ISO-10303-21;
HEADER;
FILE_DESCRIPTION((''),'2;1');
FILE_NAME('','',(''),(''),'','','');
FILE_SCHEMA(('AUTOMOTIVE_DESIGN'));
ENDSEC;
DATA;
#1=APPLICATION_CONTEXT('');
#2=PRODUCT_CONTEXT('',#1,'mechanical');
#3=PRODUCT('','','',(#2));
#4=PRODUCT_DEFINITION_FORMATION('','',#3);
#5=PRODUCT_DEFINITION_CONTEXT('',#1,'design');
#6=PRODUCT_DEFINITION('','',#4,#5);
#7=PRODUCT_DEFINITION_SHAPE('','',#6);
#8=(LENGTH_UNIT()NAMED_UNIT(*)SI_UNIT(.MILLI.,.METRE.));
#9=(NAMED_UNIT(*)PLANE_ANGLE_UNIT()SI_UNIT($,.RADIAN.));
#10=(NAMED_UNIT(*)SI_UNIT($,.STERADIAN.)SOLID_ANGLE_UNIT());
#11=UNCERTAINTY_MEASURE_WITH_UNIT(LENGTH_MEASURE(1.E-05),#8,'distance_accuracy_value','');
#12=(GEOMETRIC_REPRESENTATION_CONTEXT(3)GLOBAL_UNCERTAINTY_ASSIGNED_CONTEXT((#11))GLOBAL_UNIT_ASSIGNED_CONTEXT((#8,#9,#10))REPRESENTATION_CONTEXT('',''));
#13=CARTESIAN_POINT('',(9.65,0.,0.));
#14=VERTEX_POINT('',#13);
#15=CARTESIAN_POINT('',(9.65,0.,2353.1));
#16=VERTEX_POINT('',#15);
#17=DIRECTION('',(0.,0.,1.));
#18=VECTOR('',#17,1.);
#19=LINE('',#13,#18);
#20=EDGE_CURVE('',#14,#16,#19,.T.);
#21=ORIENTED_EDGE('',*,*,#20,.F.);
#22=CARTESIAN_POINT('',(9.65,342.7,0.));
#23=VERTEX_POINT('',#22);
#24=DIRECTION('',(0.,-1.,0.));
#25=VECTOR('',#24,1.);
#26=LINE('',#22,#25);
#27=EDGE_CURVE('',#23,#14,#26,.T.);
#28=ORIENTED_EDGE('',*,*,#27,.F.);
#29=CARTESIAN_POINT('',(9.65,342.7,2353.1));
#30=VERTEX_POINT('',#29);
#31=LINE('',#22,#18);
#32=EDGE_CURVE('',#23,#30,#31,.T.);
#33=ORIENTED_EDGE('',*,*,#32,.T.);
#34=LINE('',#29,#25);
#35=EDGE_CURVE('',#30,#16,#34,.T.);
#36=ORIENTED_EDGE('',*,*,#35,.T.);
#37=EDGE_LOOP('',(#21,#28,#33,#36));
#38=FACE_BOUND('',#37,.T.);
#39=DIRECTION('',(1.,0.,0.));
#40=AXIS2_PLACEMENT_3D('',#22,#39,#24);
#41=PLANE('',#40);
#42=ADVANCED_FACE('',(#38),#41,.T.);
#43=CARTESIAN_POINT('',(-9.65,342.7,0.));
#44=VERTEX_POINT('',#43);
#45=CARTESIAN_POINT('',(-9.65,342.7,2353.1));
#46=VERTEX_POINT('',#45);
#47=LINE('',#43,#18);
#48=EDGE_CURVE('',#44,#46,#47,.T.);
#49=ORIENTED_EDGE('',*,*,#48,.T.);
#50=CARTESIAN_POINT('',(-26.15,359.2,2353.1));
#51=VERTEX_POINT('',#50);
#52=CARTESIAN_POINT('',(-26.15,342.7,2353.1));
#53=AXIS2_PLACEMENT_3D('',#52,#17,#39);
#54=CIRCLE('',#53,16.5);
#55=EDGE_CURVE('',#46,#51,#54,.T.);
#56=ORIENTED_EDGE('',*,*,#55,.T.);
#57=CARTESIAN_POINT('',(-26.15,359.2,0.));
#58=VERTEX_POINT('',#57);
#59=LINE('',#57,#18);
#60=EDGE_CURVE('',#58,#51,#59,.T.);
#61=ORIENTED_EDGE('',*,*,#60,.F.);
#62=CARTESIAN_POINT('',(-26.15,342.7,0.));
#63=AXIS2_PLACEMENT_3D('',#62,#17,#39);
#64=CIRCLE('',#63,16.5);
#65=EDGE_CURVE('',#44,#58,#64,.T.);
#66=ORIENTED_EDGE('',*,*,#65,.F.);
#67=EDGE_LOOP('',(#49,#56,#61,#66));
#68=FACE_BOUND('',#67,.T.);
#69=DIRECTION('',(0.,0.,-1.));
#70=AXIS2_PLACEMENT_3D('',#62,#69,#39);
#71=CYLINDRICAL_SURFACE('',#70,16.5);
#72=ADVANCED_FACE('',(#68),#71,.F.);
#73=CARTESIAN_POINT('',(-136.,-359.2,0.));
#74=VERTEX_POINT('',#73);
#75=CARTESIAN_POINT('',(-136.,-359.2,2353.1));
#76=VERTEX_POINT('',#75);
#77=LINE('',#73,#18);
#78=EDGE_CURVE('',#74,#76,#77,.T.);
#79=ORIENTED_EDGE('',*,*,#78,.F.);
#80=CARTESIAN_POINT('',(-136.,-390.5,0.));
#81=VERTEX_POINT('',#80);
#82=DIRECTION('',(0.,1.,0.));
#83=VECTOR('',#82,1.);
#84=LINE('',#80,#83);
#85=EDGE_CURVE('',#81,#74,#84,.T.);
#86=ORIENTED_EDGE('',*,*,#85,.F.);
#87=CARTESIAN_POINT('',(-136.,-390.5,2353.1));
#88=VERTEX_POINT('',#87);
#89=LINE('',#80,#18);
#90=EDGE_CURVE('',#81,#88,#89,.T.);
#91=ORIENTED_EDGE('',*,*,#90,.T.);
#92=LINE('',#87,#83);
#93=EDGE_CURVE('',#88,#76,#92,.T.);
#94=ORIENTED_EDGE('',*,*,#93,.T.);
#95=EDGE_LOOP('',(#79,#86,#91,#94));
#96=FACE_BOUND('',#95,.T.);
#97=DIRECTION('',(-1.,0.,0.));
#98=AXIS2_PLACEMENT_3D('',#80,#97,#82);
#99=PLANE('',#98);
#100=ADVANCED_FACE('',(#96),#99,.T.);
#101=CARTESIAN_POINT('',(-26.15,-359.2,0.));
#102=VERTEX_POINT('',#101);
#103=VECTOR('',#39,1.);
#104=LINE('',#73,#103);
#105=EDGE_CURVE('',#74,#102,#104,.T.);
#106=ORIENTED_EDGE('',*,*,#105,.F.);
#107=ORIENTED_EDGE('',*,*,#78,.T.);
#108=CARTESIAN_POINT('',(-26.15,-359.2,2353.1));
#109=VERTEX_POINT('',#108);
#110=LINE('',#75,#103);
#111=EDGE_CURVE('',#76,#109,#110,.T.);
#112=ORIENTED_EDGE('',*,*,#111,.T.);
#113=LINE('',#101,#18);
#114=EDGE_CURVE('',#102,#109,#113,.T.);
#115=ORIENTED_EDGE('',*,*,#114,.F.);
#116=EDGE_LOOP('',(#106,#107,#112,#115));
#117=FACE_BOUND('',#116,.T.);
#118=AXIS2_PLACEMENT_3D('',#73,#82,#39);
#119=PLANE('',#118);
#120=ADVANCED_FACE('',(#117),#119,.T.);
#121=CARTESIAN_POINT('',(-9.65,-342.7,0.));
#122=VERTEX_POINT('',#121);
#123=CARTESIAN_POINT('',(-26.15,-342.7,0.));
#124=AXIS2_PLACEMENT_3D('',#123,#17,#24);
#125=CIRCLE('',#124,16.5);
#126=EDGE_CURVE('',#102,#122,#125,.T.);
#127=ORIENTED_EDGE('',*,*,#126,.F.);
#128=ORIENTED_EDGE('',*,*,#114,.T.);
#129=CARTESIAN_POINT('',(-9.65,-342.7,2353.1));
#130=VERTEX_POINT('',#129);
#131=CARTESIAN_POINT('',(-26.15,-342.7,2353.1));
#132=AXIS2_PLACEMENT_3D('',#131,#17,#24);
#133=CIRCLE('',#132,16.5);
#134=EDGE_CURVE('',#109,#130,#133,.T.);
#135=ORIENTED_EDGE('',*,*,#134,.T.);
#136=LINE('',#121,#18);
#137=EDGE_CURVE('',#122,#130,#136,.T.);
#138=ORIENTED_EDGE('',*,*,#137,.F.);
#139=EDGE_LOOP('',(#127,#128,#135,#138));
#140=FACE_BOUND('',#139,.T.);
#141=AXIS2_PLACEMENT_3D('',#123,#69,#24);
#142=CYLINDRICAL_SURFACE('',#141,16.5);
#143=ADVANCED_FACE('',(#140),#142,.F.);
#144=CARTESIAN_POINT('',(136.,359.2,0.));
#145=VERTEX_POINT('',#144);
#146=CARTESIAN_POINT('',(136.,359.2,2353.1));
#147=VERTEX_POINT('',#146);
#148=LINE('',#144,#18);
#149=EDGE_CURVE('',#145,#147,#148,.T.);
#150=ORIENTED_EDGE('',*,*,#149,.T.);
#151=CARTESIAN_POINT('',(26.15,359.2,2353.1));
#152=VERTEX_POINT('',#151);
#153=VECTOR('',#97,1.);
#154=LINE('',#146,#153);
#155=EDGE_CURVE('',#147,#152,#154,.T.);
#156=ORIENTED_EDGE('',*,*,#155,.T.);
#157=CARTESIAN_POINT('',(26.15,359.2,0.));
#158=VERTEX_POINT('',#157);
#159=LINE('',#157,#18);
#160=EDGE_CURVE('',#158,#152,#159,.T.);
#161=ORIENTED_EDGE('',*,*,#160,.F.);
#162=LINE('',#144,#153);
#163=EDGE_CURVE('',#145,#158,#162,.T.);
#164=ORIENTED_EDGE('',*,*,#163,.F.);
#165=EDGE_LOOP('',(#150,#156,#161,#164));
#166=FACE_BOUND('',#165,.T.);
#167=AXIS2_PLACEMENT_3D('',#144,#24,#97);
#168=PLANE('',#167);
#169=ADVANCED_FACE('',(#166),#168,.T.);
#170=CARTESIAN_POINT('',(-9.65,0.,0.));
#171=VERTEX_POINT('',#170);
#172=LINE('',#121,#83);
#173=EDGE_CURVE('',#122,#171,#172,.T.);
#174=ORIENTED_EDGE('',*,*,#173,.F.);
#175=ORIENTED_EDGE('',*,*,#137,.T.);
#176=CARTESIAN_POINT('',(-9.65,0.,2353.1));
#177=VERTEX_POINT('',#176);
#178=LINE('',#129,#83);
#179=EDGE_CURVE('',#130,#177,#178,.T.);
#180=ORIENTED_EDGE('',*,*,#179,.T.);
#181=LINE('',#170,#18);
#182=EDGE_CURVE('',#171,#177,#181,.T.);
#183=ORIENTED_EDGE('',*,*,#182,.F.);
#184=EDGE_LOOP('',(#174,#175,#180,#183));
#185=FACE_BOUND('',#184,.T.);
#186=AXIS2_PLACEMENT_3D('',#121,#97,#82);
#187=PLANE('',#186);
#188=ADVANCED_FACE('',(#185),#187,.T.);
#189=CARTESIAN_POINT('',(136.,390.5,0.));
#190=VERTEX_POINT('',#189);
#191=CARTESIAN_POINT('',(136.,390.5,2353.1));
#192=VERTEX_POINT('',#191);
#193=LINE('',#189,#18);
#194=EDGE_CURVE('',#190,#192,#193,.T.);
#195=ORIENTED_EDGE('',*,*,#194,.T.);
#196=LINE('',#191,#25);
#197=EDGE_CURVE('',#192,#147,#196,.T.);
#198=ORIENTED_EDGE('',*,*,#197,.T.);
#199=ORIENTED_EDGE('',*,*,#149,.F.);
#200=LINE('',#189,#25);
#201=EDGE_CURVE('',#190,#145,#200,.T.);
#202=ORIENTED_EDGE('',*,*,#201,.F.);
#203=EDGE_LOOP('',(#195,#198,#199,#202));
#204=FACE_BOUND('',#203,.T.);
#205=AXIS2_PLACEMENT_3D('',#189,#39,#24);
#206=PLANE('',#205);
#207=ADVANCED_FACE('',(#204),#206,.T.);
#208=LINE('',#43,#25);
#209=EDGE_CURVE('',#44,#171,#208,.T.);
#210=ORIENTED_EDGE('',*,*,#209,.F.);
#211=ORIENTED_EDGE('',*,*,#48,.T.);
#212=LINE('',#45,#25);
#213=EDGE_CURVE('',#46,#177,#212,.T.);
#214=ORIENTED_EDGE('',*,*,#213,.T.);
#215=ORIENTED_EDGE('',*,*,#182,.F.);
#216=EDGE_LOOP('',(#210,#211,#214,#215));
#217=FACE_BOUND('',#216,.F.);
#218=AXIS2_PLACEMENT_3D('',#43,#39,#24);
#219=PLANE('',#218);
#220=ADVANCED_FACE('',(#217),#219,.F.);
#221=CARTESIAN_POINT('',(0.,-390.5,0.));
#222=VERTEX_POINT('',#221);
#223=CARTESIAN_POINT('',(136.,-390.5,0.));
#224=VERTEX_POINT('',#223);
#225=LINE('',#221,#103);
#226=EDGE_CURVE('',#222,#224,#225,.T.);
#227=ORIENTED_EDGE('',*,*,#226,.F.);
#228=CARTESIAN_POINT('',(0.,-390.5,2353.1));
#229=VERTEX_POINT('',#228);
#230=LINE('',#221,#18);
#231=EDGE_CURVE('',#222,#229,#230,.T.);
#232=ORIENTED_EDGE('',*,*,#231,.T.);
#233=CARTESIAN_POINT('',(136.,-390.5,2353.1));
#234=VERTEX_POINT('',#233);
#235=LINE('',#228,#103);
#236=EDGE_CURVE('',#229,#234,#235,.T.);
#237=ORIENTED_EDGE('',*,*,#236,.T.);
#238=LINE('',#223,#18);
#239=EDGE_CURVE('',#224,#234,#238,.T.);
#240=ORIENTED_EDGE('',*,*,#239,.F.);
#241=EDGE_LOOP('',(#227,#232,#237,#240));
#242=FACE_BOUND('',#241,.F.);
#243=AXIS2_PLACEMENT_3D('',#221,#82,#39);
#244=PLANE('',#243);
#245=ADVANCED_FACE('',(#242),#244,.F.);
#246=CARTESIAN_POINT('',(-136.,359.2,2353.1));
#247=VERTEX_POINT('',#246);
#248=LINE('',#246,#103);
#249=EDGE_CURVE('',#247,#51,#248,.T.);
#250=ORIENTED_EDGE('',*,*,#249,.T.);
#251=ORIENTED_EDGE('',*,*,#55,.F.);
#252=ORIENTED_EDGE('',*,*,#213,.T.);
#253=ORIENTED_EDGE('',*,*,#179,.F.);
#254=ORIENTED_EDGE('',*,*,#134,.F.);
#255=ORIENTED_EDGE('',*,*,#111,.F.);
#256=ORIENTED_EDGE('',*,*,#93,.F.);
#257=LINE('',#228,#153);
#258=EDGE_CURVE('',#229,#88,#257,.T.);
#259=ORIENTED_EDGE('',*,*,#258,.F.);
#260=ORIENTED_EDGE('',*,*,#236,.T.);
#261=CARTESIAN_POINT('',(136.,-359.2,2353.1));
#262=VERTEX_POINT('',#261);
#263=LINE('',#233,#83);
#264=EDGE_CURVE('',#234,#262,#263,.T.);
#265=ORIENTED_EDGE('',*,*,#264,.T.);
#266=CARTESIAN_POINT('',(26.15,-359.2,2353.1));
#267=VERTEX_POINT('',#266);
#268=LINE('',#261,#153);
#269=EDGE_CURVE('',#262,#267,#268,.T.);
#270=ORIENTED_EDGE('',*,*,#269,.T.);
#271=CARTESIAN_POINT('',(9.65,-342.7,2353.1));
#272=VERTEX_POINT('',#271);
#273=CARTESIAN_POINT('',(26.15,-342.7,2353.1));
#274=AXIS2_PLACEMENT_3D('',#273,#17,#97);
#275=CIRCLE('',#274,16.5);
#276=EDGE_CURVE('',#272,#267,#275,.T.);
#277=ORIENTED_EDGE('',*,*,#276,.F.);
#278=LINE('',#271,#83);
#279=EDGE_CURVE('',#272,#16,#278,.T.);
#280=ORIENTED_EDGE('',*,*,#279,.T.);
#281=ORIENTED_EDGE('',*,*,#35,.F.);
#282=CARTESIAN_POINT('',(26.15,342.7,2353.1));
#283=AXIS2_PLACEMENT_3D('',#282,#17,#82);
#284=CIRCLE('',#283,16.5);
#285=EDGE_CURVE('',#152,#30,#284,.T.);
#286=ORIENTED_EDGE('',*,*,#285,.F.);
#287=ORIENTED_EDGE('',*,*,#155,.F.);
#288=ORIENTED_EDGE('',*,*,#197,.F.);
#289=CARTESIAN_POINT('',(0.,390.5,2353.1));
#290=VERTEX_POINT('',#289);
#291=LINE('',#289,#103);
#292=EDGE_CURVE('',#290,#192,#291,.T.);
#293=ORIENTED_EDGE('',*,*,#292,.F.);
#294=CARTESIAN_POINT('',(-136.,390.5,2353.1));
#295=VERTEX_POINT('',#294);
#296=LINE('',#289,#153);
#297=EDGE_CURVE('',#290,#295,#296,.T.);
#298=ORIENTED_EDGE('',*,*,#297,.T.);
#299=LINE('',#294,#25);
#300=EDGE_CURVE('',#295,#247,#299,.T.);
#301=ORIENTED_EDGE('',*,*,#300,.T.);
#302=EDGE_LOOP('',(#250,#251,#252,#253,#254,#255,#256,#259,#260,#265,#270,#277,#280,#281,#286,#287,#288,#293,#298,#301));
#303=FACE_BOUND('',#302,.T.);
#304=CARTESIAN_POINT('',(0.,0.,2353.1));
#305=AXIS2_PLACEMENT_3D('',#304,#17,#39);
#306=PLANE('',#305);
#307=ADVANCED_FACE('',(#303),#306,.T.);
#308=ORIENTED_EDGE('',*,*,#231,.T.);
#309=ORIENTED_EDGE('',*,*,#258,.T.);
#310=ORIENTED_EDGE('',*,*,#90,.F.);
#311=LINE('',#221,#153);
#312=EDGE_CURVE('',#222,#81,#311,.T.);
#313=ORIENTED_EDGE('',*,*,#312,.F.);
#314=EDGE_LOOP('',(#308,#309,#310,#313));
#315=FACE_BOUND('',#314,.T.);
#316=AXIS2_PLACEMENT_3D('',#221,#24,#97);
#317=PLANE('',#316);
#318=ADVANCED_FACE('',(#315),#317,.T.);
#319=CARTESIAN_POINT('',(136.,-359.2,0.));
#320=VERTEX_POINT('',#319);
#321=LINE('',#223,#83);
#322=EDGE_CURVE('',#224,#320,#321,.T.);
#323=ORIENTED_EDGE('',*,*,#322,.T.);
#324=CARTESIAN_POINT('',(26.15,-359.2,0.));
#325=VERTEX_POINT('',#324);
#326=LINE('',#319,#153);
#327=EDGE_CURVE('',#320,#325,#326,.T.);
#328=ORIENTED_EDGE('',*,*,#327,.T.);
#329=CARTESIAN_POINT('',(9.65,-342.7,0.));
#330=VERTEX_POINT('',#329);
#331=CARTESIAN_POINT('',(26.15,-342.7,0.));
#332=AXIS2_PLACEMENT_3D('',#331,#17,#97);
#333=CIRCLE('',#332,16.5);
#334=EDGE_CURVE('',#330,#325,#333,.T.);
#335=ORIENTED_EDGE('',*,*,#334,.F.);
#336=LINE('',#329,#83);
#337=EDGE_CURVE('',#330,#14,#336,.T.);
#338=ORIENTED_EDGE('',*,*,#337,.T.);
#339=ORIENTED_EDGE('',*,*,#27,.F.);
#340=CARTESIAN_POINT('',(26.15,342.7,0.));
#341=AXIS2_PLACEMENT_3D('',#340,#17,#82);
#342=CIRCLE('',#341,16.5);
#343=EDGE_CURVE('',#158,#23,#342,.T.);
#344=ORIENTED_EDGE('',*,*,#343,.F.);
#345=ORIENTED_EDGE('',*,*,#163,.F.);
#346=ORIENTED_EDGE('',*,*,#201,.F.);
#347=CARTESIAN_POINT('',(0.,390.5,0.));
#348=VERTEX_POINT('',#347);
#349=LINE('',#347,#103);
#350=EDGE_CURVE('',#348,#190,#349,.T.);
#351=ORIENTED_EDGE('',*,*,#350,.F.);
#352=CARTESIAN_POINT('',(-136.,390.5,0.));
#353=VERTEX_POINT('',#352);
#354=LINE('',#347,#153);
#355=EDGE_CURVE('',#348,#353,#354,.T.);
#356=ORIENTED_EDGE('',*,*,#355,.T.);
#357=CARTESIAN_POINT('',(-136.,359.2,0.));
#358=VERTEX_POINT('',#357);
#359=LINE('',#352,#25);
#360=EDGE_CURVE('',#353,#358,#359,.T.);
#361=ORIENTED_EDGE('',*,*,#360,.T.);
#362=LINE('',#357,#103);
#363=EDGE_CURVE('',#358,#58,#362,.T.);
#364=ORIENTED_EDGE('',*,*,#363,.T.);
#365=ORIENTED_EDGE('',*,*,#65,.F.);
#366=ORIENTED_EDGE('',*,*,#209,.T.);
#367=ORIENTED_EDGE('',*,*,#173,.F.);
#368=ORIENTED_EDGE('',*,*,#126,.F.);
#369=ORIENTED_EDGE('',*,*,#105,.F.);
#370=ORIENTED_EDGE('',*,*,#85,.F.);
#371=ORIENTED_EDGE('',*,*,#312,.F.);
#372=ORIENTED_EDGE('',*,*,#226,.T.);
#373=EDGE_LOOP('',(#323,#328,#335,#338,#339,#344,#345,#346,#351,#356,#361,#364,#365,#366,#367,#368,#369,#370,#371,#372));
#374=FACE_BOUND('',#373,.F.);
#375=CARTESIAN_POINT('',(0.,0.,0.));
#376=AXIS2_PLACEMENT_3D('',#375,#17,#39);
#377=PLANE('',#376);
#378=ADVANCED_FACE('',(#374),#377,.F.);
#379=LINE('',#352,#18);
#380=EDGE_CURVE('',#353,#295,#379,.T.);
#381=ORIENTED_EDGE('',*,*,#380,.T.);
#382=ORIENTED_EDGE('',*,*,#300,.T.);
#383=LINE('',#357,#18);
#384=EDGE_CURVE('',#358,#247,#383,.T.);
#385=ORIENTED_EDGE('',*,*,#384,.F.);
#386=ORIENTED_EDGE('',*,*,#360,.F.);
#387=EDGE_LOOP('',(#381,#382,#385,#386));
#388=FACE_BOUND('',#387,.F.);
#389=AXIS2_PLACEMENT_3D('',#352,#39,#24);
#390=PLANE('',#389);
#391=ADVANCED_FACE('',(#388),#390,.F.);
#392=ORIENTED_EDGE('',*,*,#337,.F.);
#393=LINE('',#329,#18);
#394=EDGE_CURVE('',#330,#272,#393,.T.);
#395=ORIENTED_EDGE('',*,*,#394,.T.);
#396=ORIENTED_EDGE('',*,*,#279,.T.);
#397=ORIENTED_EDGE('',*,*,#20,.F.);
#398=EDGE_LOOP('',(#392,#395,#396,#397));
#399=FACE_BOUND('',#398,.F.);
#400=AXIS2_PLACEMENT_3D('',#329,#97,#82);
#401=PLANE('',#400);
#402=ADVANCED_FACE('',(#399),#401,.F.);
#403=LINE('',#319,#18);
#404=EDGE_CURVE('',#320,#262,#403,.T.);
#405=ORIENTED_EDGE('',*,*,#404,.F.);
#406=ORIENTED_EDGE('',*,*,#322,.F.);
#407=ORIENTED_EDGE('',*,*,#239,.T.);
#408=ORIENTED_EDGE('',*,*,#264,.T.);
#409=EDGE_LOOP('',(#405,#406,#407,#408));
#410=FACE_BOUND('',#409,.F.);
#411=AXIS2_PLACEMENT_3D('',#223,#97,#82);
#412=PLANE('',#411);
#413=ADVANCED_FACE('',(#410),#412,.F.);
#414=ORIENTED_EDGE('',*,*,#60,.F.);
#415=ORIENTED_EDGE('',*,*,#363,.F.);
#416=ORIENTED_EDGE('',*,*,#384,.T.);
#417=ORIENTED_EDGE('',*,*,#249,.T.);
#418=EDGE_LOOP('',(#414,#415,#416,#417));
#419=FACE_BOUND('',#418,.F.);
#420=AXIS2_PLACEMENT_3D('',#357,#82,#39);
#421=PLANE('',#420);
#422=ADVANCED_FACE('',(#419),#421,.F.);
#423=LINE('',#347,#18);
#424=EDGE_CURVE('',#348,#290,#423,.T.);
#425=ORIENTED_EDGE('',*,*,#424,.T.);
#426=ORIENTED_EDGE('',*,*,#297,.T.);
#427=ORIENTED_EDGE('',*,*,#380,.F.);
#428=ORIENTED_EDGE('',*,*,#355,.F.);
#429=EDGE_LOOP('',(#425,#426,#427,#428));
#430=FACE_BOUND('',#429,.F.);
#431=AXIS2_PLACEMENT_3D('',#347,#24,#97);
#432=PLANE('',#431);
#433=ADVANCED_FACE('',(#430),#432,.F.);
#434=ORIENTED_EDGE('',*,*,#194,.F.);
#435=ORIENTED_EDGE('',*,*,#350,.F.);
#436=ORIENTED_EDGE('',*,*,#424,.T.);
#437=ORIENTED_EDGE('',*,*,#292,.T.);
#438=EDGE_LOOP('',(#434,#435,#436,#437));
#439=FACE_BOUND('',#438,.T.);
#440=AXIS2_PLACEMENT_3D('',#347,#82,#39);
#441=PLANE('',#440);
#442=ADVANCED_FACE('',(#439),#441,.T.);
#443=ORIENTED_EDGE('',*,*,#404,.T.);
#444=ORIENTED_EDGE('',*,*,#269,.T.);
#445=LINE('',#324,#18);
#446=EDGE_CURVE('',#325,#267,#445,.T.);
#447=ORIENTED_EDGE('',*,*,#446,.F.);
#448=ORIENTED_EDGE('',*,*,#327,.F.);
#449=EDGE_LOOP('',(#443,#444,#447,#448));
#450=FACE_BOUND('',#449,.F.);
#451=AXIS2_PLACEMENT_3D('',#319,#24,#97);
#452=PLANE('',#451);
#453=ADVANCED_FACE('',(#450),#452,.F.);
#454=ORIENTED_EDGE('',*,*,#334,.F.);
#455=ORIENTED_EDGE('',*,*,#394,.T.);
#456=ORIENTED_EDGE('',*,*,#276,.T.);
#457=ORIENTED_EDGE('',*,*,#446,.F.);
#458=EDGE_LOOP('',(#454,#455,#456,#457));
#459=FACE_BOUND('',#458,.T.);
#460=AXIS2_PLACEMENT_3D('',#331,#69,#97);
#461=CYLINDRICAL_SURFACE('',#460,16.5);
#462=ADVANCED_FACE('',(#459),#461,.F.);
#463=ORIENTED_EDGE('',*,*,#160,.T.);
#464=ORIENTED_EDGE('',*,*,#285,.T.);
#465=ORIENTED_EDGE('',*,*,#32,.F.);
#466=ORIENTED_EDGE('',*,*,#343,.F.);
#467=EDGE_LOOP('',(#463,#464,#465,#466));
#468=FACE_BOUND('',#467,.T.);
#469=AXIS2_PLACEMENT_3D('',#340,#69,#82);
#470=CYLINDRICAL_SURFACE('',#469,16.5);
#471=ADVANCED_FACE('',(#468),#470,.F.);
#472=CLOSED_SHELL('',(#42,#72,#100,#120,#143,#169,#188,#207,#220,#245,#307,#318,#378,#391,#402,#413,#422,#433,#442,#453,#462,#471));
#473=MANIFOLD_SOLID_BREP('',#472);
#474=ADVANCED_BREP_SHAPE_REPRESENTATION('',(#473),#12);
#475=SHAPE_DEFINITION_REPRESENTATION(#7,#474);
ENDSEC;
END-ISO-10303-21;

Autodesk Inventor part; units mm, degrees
ref_plane "YZ Plane" through (0, 0, 0) normal (1, 0, 0) x (0, 1, 0)
ref_plane "Start plane" through (0, 0, 0) normal (0, 0, 1) x (1, 0, 0)
ref_plane "End plane" through (0, 0, 2353.1) normal (0, 0, 1) x (1, 0, 0)
sketch "Sketch" plane through (0, 0, 0) normal (0, 0, 1) x (1, 0, 0)
  line L0 (-136, -390.5) -> (-136, -359.2)
  line L1 (-136, -359.2) -> (-26.15, -359.2)
  line L2 (-9.65, -342.7) -> (-9.65, 0)
  line L3 (-9.65, 0) -> (0, 0) construction
  line L4 (0, 0) -> (0, -390.5) construction
  line L5 (0, -390.5) -> (-136, -390.5)
  line L6 (-60, 0) -> (80, 0) construction
  line L7 (0, -60) -> (0, 80) construction
  line L8 (136, -390.5) -> (136, -359.2)
  line L9 (136, -359.2) -> (26.15, -359.2)
  line L10 (9.65, -342.7) -> (9.65, 0)
  line L11 (9.65, 0) -> (0, 0) construction
  line L12 (0, -390.5) -> (136, -390.5)
  line L13 (-136, 390.5) -> (-136, 359.2)
  line L14 (-136, 359.2) -> (-26.15, 359.2)
  line L15 (-9.65, 342.7) -> (-9.65, 0)
  line L16 (0, 390.5) -> (-136, 390.5)
  line L17 (136, 390.5) -> (136, 359.2)
  line L18 (136, 359.2) -> (26.15, 359.2)
  line L19 (0, 390.5) -> (136, 390.5)
  line L20 (9.65, 342.7) -> (9.65, 0)
  arc A0 (-9.65, 342.7) -> (-26.15, 359.2) centre (-26.15, 342.7) ccw
  arc A1 (26.15, 359.2) -> (9.65, 342.7) centre (26.15, 342.7) ccw
  arc A2 (9.65, -342.7) -> (26.15, -359.2) centre (26.15, -342.7) ccw
  arc A3 (-26.15, -359.2) -> (-9.65, -342.7) centre (-26.15, -342.7) ccw
  line L21 (0, 108) -> (0, -88) construction
  line L22 (-88, 0) -> (108, 0) construction
  point P0 (-9.65, -359.2)
  point P1 (9.65, -359.2)
  point P2 (-9.65, 359.2)
  point P3 (9.65, 359.2)
  dimension "d1" = 390.5
  dimension "d2" = 31.3
  dimension "d3" = 136
  dimension "d4" = 9.65
  dimension "d10" = 16.5
extrude "Body" add sketch "Sketch" along normal up to surface (2353.1 mm away) from surface at 0
sketch "Sketch4" plane through (0, 0, 0) normal (0, 0, 1) x (1, 0, 0)
  line L0 (0, 0) -> (10, 0)
ref_plane "Work Plane3" through (0, 0, 0) normal (0, -1, 0) x (1, 0, 0)
sketch "Sketch5" plane through (0, 0, 0) normal (0, -1, 0) x (1, 0, 0)
  line L0 (-2, 0) -> (12, 0) projected
  line L1 (-2, 2353.1) -> (12, 2353.1) projected
  dimension "d14" = 2353.1
equation "\"d1\" = 0.5 * G_H"
equation "\"d2\" = G_T1"
equation "\"d3\" = 0.5 * G_W"
equation "\"d4\" = 0.5 * G_T"
equation "\"d10\" = G_IR"
equation "\"d5\" = G_L"
equation "\"G_W\" = 272"
equation "\"G_H\" = 781"
equation "\"G_T\" = 19.3"
equation "\"G_T1\" = 31.3"
equation "\"G_IR\" = 16.5"
equation "\"G_L\" = d14"
equation "\"G_OFFSET_START\" = 0"
equation "\"G_OFFSET_END\" = 0"
equation "\"d12\" = G_OFFSET_END + B_L"
equation "\"B_L\" = 2353.1"
properties part number "AS 3679-1990 - 760 UB - 244 - 2353.1" material "Steel, Mild"
